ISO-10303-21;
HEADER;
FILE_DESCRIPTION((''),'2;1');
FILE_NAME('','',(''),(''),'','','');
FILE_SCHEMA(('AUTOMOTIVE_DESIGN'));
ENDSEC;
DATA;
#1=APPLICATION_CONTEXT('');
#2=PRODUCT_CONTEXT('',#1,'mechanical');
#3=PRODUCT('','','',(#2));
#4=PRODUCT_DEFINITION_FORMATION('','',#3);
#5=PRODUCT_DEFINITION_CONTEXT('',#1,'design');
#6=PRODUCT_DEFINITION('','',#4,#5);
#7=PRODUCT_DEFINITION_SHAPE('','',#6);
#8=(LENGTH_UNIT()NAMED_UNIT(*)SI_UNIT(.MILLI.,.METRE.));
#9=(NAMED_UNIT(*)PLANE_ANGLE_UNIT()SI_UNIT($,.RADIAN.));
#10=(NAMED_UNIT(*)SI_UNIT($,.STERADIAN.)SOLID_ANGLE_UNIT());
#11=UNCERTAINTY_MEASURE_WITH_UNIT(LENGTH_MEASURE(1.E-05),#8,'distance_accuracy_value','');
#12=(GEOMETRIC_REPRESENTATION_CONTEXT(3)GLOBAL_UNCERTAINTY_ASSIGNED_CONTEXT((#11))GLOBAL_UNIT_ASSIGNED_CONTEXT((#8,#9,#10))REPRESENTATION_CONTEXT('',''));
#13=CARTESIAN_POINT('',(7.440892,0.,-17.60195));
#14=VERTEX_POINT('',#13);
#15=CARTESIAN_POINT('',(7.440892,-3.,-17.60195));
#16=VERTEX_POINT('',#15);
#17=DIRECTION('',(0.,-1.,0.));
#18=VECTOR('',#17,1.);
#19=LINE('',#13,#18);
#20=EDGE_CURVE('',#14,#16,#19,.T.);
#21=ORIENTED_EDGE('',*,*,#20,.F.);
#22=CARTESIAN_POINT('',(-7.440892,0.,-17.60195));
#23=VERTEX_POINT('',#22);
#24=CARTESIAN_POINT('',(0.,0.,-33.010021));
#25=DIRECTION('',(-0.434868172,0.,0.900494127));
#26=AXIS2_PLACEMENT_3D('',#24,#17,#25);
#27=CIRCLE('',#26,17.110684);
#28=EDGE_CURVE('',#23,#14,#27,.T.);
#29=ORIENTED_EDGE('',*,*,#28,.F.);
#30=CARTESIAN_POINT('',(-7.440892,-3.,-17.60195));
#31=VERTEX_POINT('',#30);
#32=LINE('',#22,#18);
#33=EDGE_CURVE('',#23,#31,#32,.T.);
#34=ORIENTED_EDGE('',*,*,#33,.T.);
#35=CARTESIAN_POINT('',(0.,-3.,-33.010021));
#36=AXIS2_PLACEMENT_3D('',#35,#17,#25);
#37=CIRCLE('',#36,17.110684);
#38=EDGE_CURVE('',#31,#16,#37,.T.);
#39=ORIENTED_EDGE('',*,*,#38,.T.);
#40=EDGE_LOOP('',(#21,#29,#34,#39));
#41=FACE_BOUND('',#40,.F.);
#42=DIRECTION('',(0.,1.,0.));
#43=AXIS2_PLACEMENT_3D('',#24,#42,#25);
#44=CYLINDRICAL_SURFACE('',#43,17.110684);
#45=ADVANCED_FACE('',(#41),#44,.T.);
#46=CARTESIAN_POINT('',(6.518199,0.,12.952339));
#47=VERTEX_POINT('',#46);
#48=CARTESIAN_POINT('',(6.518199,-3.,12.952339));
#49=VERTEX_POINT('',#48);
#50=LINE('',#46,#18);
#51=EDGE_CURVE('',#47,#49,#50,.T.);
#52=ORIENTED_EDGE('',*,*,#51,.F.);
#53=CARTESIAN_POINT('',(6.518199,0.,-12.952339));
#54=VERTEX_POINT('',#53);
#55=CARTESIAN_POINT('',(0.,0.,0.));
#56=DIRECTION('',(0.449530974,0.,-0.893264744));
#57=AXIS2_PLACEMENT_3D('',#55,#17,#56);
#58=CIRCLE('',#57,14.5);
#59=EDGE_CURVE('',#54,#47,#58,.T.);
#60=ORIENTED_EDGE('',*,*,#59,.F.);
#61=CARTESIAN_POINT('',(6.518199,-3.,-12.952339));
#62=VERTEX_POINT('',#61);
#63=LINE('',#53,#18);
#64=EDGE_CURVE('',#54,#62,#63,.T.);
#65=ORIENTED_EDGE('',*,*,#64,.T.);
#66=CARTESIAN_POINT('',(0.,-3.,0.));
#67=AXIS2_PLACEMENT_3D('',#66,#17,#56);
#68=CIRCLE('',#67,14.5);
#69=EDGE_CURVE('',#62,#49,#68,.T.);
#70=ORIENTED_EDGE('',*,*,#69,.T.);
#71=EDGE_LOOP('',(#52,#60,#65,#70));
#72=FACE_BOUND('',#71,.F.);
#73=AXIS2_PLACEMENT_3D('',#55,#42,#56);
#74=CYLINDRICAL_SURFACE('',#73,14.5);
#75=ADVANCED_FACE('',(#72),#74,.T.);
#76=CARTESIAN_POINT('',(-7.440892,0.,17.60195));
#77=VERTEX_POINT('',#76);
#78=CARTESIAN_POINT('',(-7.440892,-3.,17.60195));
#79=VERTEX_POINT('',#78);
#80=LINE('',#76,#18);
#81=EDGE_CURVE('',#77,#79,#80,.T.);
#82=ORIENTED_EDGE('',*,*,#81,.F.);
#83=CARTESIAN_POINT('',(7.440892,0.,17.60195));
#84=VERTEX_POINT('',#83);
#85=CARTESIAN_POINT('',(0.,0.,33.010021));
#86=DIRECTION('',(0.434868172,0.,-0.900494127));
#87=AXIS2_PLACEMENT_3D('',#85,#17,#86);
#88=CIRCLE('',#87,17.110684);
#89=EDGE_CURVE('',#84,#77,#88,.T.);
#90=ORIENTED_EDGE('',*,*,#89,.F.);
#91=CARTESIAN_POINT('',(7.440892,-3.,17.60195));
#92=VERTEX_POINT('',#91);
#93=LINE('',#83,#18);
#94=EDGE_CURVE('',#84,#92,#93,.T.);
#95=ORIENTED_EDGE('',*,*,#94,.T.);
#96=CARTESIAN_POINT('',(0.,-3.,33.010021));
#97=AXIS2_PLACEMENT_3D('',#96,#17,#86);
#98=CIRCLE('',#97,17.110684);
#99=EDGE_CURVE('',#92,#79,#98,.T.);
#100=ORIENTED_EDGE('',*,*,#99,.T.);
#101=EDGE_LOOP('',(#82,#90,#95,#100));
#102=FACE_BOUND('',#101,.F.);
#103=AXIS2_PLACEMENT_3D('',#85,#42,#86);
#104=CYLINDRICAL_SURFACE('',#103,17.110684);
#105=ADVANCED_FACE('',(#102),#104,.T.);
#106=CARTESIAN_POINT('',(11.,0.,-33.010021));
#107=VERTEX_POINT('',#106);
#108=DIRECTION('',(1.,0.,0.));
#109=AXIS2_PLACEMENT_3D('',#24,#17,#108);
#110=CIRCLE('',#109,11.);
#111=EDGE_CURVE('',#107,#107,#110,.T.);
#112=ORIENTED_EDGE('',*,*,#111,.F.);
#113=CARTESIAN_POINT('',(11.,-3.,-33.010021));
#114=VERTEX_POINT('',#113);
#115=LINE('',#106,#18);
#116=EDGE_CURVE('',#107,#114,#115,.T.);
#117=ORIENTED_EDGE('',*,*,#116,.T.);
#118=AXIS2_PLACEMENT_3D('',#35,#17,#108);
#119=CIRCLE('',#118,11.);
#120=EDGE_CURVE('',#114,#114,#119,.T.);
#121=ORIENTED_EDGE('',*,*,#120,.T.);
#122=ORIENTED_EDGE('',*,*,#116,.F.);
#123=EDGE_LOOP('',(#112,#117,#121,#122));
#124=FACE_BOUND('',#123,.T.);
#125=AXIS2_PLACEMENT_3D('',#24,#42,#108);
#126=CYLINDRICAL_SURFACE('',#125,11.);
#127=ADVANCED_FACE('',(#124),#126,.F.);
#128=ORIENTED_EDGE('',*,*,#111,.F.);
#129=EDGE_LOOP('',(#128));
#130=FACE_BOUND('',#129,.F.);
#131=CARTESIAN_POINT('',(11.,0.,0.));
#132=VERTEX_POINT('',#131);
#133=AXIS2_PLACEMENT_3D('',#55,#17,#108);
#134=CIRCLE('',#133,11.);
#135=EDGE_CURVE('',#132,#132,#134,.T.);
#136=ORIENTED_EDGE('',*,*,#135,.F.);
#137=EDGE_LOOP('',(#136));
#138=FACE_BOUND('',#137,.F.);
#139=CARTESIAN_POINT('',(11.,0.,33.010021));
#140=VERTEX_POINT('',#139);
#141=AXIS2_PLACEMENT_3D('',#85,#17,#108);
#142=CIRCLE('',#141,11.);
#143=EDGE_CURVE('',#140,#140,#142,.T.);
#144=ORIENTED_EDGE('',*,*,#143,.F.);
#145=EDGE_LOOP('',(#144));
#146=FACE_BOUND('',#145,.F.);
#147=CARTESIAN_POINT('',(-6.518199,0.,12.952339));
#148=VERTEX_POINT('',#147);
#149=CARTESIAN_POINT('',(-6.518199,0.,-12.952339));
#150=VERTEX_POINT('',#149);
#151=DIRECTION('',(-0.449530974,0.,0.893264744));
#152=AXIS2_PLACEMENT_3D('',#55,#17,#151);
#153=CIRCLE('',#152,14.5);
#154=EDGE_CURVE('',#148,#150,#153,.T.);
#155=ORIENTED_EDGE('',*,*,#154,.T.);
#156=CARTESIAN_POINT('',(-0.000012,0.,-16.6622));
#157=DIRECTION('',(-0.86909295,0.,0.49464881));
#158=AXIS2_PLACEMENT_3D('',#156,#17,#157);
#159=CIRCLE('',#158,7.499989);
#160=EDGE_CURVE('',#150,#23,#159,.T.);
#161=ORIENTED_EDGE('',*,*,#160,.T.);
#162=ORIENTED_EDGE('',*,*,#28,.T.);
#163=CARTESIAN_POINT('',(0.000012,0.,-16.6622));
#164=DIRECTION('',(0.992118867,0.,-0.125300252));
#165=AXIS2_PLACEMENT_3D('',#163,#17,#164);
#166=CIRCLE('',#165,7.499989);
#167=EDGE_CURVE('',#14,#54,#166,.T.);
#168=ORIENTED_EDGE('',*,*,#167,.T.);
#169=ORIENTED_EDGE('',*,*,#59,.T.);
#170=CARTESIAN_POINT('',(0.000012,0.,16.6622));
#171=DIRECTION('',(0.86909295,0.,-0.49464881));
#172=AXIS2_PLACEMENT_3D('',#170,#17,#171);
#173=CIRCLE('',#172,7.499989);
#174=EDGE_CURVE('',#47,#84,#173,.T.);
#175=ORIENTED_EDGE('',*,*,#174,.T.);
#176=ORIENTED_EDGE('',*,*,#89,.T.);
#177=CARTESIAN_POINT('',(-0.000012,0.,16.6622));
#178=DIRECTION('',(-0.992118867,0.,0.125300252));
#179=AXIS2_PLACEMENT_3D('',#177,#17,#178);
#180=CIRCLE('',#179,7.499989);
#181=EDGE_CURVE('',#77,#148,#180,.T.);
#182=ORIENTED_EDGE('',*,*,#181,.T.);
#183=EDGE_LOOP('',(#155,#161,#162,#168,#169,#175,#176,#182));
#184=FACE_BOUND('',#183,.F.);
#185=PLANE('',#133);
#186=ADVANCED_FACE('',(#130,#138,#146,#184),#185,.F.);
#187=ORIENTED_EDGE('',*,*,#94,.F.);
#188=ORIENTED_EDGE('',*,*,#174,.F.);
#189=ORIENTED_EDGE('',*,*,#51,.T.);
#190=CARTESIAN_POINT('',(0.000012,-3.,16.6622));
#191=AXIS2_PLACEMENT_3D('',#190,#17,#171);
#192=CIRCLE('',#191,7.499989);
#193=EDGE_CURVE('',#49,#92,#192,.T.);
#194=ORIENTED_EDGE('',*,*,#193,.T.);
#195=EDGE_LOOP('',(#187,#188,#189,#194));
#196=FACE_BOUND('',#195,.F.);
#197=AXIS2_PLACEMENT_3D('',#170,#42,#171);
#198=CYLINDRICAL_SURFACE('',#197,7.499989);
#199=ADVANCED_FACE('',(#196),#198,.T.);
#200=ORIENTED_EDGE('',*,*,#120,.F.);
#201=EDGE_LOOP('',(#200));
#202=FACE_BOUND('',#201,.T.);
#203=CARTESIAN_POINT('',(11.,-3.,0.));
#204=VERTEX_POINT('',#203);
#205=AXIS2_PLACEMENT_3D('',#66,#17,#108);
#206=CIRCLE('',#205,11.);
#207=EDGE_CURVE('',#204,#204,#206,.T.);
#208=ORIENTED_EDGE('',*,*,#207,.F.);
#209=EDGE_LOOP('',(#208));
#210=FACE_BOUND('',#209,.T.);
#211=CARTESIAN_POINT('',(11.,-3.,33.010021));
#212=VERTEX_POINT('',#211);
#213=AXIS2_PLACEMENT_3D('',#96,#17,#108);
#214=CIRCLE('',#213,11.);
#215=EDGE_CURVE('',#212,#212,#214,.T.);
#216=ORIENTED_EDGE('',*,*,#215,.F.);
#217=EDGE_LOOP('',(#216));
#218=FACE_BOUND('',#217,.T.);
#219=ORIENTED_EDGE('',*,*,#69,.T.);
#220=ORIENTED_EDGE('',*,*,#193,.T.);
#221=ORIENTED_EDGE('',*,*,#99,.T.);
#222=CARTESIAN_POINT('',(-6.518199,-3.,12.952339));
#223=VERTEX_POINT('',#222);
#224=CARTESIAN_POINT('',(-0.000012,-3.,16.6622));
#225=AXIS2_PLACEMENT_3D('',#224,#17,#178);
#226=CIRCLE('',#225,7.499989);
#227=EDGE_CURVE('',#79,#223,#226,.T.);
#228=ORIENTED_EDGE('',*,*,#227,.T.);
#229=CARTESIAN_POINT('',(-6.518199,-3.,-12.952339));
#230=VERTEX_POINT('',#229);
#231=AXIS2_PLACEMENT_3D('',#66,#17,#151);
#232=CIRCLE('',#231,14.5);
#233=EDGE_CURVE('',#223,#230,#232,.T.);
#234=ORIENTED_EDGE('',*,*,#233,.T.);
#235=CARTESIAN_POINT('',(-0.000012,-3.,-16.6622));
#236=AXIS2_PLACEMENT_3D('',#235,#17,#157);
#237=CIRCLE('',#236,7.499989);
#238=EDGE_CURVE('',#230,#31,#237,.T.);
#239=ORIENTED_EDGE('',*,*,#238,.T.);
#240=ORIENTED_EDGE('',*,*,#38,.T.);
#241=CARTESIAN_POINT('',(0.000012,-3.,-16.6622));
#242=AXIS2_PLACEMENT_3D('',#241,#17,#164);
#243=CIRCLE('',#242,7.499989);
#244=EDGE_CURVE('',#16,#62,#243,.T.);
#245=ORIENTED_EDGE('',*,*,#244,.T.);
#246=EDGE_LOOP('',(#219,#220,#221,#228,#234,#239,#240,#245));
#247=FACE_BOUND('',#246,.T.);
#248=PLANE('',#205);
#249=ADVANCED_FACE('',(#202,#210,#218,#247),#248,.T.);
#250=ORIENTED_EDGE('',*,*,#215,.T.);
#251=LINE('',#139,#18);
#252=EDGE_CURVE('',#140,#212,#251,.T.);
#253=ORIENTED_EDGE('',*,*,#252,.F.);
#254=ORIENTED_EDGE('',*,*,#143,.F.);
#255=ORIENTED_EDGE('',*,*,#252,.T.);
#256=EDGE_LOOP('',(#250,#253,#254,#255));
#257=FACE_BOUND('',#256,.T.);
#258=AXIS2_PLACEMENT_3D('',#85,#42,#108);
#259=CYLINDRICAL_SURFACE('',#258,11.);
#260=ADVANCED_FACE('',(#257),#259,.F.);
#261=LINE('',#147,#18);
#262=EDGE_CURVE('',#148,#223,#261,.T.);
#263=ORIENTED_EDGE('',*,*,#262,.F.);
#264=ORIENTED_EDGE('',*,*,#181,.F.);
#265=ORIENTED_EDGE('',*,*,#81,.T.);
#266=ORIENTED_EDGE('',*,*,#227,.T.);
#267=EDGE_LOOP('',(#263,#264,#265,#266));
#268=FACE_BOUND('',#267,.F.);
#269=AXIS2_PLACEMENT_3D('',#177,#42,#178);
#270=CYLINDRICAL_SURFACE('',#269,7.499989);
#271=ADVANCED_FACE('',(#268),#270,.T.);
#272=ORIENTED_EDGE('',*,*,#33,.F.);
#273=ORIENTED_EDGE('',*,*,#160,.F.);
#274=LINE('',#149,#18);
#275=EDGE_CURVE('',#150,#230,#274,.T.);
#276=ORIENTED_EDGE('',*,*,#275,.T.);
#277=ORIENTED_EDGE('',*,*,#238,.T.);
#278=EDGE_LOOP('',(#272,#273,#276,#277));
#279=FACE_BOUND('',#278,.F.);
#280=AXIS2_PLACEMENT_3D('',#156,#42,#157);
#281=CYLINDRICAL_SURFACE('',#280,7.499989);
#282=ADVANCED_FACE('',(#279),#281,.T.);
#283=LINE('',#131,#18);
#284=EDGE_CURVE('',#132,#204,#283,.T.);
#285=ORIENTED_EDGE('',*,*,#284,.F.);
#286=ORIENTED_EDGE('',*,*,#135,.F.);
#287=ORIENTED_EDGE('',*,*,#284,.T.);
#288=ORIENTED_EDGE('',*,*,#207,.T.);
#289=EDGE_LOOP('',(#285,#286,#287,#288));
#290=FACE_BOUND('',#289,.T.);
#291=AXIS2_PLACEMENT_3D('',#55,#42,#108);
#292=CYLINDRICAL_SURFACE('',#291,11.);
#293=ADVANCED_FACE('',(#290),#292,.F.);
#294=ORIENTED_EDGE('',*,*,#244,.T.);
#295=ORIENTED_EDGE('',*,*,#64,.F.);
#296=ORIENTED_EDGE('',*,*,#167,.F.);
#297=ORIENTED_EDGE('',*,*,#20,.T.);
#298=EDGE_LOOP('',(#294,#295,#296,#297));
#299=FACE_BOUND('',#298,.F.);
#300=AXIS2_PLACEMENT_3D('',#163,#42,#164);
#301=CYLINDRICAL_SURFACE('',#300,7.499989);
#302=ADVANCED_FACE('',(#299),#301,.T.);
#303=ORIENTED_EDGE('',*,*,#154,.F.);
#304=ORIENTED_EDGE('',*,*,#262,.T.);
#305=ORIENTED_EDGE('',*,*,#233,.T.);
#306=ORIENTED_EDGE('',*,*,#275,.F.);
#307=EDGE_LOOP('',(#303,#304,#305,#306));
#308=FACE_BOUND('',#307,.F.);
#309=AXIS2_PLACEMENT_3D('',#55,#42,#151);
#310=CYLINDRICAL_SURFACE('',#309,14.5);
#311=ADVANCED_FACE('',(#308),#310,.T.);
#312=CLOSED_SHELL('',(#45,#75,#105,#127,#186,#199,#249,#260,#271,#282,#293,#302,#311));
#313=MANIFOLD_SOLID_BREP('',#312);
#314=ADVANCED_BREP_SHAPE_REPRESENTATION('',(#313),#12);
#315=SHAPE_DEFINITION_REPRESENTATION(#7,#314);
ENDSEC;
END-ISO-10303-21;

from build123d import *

# Parameters (mm, degrees)
F0_R     = 11
F1_DEPTH = 3


with BuildPart() as f1:
    # F0 (on Front) → F1 (new body)
    with BuildSketch(Plane.XZ):
        with BuildLine():
            ThreePointArc((7.440892, 17.60195), (0, 50.120705), (-7.440892, 17.60195))
            ThreePointArc((-7.440892, 17.60195), (-7.356547, 15.20233), (-6.518199, 12.952339))
            ThreePointArc((-6.518199, 12.952339), (-14.5, 0), (-6.518199, -12.952339))
            ThreePointArc((-6.518199, -12.952339), (-7.356547, -15.20233), (-7.440892, -17.60195))
            ThreePointArc((-7.440892, -17.60195), (0, -50.120705), (7.440892, -17.60195))
            ThreePointArc((7.440892, -17.60195), (7.356547, -15.20233), (6.518199, -12.952339))
            ThreePointArc((6.518199, -12.952339), (14.5, 0), (6.518199, 12.952339))
            ThreePointArc((6.518199, 12.952339), (7.356547, 15.20233), (7.440892, 17.60195))
        make_face()
        with Locations((0, -33.010021)):
            Circle(F0_R, mode=Mode.SUBTRACT)
        Circle(F0_R, mode=Mode.SUBTRACT)
        with Locations((0, 33.010021)):
            Circle(F0_R, mode=Mode.SUBTRACT)
    extrude(amount=F1_DEPTH)


solid = f1.part
